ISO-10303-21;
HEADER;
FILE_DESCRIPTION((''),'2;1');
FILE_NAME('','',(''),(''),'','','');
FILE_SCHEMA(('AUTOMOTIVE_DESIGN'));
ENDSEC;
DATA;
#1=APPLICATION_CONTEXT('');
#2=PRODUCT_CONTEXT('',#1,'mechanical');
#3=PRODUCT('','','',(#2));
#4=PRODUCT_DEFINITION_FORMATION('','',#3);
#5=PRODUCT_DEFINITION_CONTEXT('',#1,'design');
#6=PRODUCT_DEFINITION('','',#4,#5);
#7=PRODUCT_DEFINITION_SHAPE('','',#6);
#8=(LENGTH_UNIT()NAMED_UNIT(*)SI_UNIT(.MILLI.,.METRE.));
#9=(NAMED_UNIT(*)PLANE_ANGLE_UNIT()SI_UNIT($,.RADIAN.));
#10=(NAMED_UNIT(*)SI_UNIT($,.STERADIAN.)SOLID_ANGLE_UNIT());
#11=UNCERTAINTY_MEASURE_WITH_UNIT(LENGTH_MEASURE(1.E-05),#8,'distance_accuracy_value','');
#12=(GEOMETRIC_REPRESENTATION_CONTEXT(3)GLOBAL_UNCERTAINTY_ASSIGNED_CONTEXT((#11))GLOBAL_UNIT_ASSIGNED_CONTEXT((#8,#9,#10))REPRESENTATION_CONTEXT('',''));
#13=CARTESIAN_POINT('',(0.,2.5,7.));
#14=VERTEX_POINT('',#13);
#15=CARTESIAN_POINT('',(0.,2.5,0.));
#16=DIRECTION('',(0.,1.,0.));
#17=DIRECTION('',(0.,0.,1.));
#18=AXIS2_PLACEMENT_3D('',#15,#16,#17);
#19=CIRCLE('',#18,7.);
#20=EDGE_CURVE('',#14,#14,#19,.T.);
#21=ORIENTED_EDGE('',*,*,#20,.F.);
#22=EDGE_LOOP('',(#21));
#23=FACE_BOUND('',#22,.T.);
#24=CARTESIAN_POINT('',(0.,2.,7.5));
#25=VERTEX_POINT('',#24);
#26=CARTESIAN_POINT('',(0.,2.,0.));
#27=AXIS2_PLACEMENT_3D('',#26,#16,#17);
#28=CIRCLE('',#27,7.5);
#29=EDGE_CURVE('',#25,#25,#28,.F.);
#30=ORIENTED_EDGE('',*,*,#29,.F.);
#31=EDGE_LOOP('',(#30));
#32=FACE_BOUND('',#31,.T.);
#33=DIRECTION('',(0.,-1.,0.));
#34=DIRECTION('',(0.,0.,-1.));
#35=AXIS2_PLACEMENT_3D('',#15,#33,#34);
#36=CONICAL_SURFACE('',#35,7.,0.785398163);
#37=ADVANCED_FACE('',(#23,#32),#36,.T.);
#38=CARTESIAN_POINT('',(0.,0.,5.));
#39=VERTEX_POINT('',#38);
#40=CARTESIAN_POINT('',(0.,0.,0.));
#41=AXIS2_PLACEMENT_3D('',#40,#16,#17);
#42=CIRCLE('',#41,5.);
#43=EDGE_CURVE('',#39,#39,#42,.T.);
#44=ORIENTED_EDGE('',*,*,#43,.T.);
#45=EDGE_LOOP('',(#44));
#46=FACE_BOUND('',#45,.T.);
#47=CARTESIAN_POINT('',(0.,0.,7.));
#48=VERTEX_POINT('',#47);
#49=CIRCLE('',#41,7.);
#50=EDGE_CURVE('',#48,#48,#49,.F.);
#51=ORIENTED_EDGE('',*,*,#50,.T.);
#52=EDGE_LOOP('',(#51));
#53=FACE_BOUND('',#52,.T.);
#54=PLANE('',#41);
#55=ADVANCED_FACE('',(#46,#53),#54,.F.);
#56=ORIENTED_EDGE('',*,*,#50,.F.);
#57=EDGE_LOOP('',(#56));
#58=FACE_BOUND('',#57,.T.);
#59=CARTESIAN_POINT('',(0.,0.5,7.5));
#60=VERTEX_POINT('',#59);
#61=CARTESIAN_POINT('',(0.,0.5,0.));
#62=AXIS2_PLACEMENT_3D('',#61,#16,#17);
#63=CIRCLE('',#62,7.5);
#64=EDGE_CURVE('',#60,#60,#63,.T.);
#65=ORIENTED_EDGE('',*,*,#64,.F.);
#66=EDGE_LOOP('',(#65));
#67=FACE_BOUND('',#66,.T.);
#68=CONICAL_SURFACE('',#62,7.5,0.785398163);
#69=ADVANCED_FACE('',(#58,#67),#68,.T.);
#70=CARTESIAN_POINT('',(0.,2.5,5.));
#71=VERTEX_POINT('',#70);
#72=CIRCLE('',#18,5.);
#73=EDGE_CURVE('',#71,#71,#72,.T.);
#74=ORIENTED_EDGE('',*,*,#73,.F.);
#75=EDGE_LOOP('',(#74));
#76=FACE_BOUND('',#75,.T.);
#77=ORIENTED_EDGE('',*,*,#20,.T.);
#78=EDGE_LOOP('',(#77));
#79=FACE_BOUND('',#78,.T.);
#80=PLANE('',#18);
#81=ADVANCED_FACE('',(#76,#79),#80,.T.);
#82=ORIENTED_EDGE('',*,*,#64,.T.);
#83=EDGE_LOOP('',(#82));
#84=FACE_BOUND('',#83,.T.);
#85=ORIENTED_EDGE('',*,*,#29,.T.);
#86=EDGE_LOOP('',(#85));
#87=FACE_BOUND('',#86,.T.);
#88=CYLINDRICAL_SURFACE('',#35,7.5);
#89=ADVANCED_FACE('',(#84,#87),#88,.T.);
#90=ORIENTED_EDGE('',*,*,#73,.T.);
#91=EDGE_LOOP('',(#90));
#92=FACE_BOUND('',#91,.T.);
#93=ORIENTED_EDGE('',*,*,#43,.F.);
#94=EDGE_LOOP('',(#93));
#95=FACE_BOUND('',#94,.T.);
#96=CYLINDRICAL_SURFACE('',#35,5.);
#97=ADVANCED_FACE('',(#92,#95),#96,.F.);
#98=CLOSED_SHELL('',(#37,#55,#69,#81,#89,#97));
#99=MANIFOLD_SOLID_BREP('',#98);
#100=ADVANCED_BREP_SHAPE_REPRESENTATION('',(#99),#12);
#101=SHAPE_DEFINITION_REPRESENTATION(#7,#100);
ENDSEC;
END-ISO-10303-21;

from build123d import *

# Parameters (mm, degrees)
SKETCH1_R            = 7.5
SKETCH1_R_2          = 5
CORPO_15_2_5_DEPTH   = 2.5
CHANFROS_0_5_45_SIZE = 0.5


with BuildPart() as part:
    # Sketch1 → Corpo Ø15×2.5 (new body)
    with BuildSketch(Plane(origin=(0, 0, 0), x_dir=(1, 0, 0), z_dir=(0, 1, 0))):
        with Locations(Location((0, 0, 0), (0, 0, 270))):
            Circle(SKETCH1_R)
        with Locations(Location((0, 0, 0), (0, 0, 270))):
            Circle(SKETCH1_R_2, mode=Mode.SUBTRACT)
    extrude(amount=CORPO_15_2_5_DEPTH)

    # Chanfros 0.5×45°
    chanfros_0_5_45_edges = [part.edges().sort_by_distance(p)[0] for p in [
        (0, 0, -7.5),
        (0, 2.5, -7.5),
    ]]
    chamfer(chanfros_0_5_45_edges, length=CHANFROS_0_5_45_SIZE)


solid = part.part
